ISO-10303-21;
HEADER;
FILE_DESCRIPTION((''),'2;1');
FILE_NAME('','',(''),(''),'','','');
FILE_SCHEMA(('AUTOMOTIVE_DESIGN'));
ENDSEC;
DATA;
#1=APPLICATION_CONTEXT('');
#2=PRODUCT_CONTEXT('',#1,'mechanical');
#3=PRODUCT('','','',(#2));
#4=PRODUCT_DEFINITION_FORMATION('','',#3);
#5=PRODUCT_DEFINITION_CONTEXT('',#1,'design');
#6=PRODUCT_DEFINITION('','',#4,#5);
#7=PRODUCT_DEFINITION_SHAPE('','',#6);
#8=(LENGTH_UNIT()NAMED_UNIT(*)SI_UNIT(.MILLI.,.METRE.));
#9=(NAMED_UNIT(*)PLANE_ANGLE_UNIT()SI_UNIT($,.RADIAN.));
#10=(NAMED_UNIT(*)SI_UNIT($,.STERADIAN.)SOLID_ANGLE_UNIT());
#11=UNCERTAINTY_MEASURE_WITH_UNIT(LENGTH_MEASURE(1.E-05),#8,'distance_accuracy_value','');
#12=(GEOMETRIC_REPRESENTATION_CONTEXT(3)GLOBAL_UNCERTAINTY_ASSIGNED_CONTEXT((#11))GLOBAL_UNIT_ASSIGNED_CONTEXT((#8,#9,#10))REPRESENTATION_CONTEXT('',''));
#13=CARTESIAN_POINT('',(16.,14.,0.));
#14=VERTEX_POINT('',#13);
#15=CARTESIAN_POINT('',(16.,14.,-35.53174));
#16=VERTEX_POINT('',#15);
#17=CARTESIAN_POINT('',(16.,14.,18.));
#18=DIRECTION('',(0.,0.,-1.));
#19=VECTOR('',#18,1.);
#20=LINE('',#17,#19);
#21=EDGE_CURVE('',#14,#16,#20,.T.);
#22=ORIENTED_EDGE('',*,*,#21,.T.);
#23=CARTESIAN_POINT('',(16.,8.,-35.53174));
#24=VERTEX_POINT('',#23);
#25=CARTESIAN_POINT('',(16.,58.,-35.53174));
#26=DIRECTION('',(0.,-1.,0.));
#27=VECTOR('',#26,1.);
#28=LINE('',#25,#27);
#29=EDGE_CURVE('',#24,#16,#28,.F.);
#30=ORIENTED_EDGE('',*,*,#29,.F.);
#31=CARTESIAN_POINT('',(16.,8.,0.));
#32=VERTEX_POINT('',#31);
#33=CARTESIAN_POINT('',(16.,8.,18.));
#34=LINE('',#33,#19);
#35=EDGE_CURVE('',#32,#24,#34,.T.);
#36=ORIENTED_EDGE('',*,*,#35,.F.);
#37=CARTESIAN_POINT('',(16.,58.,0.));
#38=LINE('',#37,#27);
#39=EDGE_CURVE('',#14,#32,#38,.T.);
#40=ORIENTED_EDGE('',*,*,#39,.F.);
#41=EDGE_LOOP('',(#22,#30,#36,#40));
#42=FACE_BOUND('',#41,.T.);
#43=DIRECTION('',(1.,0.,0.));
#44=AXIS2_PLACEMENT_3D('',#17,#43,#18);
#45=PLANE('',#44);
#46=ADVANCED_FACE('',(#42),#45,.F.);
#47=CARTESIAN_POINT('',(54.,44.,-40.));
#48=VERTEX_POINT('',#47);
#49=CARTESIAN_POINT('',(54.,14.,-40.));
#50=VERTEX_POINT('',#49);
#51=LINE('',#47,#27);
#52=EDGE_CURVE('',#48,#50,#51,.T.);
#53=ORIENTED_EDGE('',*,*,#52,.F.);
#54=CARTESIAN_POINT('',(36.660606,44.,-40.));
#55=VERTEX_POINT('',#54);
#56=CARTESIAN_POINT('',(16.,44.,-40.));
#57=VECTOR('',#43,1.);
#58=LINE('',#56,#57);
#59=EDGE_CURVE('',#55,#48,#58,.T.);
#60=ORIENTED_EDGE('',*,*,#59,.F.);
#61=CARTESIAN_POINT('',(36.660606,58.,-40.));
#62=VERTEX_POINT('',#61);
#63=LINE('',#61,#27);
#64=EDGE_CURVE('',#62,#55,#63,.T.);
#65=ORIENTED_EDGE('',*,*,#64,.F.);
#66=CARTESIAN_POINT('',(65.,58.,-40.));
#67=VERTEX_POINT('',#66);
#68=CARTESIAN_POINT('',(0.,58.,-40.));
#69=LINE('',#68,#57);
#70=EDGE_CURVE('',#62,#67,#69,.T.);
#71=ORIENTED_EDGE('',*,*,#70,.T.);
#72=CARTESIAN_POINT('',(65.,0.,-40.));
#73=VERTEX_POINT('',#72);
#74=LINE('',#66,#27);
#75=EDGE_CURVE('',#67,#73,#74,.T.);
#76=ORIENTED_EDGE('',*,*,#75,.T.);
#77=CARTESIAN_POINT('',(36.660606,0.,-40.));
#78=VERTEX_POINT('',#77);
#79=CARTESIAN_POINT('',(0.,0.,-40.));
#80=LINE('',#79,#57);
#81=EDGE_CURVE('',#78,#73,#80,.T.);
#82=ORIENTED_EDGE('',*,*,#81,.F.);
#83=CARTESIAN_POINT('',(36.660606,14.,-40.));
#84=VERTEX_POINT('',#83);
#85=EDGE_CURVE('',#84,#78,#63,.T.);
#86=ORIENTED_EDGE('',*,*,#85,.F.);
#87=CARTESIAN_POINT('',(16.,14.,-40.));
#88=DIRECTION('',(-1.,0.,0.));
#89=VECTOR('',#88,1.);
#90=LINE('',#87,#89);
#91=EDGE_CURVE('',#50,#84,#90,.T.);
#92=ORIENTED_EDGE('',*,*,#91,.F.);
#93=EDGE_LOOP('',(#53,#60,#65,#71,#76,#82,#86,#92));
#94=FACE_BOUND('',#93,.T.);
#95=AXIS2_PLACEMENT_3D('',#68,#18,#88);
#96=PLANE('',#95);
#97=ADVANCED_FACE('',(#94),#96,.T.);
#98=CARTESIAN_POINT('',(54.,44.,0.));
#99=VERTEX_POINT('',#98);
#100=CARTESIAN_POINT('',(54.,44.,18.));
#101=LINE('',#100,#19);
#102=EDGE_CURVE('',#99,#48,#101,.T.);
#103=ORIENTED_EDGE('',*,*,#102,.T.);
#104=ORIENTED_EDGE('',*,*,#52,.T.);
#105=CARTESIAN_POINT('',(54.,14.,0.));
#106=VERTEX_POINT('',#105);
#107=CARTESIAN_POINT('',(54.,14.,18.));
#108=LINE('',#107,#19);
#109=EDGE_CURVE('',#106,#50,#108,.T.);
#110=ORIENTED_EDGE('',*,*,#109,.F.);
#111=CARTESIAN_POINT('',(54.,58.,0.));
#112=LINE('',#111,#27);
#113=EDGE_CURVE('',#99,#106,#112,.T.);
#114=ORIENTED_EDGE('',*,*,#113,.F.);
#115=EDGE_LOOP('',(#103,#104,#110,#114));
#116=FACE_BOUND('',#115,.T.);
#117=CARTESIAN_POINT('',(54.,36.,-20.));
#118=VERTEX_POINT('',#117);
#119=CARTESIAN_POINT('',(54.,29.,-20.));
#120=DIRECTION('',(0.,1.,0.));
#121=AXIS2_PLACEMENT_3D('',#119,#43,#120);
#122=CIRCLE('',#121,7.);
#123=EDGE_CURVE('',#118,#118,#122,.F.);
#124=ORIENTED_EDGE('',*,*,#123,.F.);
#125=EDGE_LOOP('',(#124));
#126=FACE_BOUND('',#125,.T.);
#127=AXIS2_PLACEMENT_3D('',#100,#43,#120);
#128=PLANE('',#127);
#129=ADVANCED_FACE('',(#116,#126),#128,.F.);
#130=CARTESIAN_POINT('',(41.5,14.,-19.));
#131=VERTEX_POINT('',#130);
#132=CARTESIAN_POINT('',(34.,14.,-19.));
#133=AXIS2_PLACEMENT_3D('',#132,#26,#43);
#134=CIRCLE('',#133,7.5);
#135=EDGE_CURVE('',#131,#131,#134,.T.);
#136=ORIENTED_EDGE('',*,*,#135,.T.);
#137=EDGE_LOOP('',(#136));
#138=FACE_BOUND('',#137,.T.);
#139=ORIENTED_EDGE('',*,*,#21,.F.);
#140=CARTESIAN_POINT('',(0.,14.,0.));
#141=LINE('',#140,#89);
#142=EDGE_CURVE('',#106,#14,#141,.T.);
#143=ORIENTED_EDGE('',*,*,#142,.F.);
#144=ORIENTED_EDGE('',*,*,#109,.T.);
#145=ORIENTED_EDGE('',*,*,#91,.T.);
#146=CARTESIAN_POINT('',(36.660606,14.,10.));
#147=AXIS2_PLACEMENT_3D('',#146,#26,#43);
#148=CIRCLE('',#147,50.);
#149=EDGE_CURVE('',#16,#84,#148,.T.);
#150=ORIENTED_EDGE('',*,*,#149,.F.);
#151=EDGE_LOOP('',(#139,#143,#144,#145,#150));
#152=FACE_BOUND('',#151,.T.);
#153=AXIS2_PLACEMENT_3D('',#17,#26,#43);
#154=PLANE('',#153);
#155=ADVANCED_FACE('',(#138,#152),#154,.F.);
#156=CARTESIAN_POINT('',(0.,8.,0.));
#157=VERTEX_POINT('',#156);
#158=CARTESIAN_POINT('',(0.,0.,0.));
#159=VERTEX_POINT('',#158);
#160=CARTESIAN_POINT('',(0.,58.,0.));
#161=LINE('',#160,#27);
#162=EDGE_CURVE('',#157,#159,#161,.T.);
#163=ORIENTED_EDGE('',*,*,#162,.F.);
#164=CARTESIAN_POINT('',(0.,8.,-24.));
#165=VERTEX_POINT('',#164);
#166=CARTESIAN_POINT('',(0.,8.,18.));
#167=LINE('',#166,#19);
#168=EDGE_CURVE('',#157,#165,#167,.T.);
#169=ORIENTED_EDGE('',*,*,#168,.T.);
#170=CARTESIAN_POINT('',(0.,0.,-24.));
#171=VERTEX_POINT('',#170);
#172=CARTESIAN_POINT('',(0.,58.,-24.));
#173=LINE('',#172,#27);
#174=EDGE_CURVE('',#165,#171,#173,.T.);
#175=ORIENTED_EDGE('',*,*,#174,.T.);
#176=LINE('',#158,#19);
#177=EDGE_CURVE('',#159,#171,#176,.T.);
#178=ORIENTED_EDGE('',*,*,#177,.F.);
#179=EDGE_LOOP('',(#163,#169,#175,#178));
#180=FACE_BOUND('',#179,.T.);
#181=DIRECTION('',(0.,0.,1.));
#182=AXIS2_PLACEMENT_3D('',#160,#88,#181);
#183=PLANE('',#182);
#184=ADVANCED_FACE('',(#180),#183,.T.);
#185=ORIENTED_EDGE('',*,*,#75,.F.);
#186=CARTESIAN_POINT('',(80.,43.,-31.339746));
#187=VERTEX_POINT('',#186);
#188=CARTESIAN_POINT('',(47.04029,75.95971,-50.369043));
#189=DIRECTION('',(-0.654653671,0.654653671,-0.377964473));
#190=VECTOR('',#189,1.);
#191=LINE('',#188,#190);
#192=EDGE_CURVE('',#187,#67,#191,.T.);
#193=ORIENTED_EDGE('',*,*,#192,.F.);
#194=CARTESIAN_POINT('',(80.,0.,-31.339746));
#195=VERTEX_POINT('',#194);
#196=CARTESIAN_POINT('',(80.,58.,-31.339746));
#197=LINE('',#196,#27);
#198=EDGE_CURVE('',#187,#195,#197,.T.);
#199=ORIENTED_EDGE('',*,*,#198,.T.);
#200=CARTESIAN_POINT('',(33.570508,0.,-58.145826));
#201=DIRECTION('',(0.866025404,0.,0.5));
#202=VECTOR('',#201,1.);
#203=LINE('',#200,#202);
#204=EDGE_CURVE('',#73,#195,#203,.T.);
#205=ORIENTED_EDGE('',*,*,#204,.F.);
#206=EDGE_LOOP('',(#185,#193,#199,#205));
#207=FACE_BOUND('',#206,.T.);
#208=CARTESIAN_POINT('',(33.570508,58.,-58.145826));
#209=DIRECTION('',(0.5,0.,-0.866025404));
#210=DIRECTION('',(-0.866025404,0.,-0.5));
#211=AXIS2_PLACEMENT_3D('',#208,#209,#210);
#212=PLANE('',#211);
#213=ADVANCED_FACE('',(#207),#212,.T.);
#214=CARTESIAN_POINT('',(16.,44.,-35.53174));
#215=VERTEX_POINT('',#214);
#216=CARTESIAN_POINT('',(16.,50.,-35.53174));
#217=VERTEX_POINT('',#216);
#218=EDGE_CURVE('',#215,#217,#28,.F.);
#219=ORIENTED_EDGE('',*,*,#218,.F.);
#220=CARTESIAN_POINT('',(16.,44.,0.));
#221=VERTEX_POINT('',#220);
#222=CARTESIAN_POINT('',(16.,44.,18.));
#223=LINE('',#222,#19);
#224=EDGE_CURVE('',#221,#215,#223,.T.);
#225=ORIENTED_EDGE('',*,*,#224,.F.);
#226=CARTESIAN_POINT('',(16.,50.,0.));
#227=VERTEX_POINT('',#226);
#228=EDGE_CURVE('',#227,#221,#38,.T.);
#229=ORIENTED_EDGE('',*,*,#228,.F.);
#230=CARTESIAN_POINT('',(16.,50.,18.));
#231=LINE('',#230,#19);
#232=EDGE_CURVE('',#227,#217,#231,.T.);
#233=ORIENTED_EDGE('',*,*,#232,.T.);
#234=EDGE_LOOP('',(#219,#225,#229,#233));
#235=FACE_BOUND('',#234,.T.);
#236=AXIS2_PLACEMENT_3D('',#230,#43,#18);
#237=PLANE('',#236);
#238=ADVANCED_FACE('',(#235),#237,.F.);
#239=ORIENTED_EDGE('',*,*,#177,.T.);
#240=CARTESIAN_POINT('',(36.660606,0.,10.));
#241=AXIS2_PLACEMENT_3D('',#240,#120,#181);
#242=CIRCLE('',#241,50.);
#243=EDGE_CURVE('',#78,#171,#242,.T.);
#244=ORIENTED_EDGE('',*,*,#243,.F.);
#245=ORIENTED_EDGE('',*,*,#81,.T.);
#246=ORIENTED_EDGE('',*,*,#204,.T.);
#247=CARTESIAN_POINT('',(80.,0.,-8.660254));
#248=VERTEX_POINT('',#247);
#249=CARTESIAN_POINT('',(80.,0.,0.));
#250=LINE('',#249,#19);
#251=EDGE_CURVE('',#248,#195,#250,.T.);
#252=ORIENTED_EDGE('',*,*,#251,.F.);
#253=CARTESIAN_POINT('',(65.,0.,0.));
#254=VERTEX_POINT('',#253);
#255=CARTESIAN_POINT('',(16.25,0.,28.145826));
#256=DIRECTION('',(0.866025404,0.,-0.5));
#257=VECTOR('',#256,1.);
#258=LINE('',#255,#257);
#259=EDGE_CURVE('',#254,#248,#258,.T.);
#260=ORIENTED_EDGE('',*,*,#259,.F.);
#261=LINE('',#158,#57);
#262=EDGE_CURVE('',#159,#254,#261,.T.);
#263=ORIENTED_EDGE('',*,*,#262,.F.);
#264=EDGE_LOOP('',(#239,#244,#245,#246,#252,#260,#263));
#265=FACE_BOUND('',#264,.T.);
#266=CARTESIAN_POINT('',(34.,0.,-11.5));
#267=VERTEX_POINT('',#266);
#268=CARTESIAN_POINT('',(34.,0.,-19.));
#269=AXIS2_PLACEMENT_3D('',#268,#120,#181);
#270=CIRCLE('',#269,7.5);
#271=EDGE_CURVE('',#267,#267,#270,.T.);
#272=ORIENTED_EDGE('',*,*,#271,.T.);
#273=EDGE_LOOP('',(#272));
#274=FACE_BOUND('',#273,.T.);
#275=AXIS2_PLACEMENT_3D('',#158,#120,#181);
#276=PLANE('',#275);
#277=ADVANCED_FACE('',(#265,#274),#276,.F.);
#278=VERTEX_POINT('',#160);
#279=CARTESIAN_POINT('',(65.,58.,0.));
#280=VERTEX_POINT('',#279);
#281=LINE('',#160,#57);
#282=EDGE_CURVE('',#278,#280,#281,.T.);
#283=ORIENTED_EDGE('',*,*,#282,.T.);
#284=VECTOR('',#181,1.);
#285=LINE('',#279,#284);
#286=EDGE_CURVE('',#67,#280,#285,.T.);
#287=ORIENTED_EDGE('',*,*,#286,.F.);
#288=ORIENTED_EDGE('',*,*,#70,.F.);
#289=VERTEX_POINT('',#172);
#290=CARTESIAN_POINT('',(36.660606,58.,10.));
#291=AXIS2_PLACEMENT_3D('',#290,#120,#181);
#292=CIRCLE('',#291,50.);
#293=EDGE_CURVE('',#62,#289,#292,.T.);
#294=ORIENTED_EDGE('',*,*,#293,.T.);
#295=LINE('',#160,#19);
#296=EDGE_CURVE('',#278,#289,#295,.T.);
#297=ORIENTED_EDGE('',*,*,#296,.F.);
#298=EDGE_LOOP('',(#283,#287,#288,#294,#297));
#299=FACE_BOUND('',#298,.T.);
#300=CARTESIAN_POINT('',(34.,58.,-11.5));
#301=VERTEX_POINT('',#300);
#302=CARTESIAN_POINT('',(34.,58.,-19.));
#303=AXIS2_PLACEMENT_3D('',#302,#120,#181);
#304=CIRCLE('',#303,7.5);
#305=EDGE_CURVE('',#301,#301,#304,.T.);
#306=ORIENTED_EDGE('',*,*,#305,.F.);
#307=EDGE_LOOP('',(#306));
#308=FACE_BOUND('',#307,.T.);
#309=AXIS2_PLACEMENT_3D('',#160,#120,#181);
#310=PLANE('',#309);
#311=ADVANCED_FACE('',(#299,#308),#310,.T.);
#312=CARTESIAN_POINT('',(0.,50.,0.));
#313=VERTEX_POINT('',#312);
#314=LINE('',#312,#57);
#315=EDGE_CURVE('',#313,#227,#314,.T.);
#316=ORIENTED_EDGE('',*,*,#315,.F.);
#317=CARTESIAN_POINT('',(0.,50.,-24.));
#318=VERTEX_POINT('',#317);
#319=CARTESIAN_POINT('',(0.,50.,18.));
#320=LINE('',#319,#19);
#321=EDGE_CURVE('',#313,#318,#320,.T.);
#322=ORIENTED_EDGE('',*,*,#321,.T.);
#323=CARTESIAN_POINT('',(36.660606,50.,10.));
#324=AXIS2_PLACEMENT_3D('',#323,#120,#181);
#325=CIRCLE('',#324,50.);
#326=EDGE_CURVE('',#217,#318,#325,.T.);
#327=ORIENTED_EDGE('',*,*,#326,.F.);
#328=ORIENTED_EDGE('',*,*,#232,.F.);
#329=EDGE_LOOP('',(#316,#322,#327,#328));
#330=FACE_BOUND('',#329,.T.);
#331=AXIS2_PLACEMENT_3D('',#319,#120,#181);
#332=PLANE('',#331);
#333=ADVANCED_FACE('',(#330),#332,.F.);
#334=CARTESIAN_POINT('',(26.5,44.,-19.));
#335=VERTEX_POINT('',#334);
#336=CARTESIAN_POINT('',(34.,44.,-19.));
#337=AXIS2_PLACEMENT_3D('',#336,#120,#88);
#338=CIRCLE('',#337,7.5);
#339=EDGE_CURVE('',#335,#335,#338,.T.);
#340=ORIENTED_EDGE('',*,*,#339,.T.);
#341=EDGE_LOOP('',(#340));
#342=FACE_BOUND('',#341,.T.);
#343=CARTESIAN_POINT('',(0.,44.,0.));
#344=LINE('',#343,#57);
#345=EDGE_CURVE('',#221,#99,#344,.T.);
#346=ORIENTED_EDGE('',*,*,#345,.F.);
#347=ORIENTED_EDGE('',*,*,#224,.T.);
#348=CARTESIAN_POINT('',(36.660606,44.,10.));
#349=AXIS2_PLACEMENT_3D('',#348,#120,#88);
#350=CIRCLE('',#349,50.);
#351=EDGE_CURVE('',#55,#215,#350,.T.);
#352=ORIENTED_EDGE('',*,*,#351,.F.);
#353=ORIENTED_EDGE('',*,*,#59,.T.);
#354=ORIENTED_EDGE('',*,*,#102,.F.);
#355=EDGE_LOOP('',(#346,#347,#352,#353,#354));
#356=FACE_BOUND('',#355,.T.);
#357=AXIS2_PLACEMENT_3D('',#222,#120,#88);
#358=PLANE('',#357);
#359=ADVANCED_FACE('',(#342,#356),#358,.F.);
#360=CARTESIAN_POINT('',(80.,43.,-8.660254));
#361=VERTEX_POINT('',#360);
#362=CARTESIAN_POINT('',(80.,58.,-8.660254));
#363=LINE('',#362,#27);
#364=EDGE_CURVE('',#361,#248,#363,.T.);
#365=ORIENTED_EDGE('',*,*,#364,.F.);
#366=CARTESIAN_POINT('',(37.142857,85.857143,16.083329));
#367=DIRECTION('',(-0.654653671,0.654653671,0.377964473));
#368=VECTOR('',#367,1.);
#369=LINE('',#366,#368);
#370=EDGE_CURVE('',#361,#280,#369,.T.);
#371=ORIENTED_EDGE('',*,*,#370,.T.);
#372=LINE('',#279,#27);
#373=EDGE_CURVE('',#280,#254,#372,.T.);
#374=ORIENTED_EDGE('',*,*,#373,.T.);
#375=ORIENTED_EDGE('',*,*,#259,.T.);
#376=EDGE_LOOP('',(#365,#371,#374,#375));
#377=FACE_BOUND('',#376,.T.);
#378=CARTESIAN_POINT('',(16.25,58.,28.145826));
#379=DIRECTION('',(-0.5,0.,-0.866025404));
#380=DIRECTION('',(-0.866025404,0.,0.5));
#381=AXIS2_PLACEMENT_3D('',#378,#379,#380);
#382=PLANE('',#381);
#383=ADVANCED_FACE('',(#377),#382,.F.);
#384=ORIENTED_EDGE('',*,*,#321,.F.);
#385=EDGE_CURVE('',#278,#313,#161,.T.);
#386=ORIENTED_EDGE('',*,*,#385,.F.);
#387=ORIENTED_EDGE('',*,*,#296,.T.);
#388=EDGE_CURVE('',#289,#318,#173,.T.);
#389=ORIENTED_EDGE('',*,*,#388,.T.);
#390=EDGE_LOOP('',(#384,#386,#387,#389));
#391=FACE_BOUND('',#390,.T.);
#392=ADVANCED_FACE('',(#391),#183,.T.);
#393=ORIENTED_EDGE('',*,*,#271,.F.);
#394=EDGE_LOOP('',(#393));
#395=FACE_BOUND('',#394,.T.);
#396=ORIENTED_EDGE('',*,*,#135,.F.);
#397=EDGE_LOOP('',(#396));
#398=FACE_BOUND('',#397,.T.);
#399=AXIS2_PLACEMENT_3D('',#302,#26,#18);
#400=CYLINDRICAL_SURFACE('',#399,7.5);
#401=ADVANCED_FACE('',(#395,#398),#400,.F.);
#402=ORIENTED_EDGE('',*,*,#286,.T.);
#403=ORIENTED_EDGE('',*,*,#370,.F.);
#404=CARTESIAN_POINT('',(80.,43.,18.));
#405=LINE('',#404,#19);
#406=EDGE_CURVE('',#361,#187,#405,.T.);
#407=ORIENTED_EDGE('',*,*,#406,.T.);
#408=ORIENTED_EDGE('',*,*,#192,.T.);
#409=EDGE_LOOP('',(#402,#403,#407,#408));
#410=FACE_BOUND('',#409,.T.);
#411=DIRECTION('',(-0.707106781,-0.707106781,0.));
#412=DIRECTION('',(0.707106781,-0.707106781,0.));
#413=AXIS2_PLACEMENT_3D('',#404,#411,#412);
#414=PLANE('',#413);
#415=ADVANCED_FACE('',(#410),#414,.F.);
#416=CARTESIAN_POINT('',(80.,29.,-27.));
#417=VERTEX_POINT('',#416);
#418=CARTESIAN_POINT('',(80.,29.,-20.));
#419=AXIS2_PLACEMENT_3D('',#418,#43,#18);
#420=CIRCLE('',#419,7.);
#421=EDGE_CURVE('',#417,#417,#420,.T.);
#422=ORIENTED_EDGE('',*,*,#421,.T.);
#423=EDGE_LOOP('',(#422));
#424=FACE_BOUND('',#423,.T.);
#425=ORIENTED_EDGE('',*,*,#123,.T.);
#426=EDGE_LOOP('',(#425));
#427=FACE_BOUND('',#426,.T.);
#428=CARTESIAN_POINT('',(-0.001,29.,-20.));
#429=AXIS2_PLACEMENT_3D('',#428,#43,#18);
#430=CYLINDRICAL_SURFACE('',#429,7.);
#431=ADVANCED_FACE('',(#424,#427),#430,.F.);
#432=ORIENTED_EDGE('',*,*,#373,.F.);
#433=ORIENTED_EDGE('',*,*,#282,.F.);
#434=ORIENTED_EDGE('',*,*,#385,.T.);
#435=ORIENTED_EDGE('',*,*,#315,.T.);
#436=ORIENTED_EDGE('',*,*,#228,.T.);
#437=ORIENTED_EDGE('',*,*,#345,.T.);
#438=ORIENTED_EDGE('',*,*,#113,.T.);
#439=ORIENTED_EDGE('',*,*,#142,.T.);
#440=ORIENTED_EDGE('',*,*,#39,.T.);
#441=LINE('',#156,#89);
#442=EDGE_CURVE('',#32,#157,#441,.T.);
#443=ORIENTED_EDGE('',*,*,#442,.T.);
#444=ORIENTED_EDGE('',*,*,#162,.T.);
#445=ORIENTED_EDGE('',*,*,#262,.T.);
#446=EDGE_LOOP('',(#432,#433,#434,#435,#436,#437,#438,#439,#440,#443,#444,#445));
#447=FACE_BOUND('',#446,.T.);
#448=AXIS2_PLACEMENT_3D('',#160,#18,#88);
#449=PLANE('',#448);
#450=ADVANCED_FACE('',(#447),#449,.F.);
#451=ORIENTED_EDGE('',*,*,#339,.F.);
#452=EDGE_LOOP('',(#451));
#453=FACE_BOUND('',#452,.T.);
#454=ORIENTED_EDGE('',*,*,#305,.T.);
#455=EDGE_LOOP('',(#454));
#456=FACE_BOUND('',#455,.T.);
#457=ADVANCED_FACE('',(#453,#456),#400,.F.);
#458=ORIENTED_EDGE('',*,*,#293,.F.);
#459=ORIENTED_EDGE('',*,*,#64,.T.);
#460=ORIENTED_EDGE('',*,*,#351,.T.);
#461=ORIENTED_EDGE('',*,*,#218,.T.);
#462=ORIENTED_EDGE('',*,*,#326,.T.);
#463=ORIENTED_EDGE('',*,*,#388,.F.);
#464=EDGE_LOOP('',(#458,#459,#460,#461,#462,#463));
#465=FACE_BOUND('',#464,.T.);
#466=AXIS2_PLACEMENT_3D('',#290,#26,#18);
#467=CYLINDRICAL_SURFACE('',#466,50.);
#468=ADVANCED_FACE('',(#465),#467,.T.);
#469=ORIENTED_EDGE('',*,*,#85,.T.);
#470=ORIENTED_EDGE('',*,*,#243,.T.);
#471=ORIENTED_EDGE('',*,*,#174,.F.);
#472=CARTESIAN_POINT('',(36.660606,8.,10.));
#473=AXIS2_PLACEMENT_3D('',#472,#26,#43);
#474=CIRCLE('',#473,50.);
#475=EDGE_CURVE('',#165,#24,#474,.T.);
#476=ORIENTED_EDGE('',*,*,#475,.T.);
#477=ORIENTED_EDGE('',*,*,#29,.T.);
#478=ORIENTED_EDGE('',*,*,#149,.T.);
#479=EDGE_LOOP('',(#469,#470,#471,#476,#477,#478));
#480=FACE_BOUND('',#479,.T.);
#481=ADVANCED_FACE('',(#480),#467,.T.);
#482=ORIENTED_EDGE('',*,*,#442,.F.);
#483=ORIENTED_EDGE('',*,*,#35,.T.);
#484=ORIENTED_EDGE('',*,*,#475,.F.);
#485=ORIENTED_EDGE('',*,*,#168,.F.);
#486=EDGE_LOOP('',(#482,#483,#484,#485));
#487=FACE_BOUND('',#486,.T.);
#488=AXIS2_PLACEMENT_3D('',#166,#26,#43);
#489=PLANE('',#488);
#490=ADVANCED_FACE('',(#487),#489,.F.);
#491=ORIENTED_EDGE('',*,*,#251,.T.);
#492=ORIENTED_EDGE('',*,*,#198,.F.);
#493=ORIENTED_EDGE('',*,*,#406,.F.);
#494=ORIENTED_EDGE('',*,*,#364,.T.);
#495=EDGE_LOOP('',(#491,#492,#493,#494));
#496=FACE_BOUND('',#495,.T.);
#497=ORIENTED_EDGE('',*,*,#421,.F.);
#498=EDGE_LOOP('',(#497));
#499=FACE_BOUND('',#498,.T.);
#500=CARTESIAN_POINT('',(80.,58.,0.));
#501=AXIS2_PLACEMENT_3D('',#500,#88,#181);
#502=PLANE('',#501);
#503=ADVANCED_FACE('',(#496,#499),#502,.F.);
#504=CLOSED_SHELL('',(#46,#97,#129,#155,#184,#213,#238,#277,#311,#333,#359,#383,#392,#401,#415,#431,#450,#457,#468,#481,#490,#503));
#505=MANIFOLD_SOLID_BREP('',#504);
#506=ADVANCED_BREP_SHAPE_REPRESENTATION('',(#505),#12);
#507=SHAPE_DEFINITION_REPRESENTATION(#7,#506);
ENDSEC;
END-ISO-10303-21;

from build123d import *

# Parameters (mm, degrees)
SKETCH1_R           = 7.5
BOSS_EXTRUDE1_DEPTH = 58
CUT_EXTRUDE1_DEPTH  = 58
CUT_EXTRUDE2_DEPTH  = 58
CUT_EXTRUDE3_REACH  = 82
SKETCH4_R           = 7


with BuildPart() as part:
    # Sketch1 → Boss-Extrude1 (new body)
    with BuildSketch(Plane(origin=(0, 0, 0), x_dir=(1, 0, 0), z_dir=(0, 1, 0))):
        with BuildLine():
            Line((36.66060556, 40), (65, 40))
            Line((65, 40), (80, 31.339745962))
            Line((80, 31.339745962), (80, 8.660254038))
            Line((80, 8.660254038), (65, 0))
            Line((65, 0), (0, 0))
            Line((0, 0), (0, 24))
            ThreePointArc((0, 24), (16.66060556, 35.82575695), (36.66060556, 40))
        make_face()
        with Locations((34, 19)):
            Circle(SKETCH1_R, mode=Mode.SUBTRACT)
    extrude(amount=BOSS_EXTRUDE1_DEPTH)

    # Sketch2 → Cut-Extrude1 (cut)
    with BuildSketch(Plane(origin=(0, 0, -40), x_dir=(-1, 0, 0), z_dir=(0, 0, -1))):
        Polygon((0, 50), (-16, 50), (-16, 44), (-54, 44), (-54, 14), (-16, 14), (-16, 8), (0, 8), align=None)
    extrude(amount=-CUT_EXTRUDE1_DEPTH, mode=Mode.SUBTRACT)

    # Sketch3 → Cut-Extrude2 (cut)
    with BuildSketch(Plane(origin=(0, 0, -40), x_dir=(-1, 0, 0), z_dir=(0, 0, -1))):
        Polygon((-80, 58), (-80, 43), (-65, 58), align=None)
    extrude(amount=-CUT_EXTRUDE2_DEPTH, mode=Mode.SUBTRACT)

    # Sketch4 → Cut-Extrude3 (cut, up to next)
    with BuildSketch(Plane(origin=(80, 0, 0), x_dir=(0, 0, -1), z_dir=(1, 0, 0)), mode=Mode.PRIVATE) as cut_extrude3_sk1:
        with Locations((20, 29)):
            Circle(SKETCH4_R)
    cut_extrude3_tool1 = extrude(cut_extrude3_sk1.sketch, amount=-CUT_EXTRUDE3_REACH, mode=Mode.PRIVATE) & part.part
    add(cut_extrude3_tool1.solids().sort_by_distance((80, 29, -20))[0], mode=Mode.SUBTRACT)


solid = part.part
